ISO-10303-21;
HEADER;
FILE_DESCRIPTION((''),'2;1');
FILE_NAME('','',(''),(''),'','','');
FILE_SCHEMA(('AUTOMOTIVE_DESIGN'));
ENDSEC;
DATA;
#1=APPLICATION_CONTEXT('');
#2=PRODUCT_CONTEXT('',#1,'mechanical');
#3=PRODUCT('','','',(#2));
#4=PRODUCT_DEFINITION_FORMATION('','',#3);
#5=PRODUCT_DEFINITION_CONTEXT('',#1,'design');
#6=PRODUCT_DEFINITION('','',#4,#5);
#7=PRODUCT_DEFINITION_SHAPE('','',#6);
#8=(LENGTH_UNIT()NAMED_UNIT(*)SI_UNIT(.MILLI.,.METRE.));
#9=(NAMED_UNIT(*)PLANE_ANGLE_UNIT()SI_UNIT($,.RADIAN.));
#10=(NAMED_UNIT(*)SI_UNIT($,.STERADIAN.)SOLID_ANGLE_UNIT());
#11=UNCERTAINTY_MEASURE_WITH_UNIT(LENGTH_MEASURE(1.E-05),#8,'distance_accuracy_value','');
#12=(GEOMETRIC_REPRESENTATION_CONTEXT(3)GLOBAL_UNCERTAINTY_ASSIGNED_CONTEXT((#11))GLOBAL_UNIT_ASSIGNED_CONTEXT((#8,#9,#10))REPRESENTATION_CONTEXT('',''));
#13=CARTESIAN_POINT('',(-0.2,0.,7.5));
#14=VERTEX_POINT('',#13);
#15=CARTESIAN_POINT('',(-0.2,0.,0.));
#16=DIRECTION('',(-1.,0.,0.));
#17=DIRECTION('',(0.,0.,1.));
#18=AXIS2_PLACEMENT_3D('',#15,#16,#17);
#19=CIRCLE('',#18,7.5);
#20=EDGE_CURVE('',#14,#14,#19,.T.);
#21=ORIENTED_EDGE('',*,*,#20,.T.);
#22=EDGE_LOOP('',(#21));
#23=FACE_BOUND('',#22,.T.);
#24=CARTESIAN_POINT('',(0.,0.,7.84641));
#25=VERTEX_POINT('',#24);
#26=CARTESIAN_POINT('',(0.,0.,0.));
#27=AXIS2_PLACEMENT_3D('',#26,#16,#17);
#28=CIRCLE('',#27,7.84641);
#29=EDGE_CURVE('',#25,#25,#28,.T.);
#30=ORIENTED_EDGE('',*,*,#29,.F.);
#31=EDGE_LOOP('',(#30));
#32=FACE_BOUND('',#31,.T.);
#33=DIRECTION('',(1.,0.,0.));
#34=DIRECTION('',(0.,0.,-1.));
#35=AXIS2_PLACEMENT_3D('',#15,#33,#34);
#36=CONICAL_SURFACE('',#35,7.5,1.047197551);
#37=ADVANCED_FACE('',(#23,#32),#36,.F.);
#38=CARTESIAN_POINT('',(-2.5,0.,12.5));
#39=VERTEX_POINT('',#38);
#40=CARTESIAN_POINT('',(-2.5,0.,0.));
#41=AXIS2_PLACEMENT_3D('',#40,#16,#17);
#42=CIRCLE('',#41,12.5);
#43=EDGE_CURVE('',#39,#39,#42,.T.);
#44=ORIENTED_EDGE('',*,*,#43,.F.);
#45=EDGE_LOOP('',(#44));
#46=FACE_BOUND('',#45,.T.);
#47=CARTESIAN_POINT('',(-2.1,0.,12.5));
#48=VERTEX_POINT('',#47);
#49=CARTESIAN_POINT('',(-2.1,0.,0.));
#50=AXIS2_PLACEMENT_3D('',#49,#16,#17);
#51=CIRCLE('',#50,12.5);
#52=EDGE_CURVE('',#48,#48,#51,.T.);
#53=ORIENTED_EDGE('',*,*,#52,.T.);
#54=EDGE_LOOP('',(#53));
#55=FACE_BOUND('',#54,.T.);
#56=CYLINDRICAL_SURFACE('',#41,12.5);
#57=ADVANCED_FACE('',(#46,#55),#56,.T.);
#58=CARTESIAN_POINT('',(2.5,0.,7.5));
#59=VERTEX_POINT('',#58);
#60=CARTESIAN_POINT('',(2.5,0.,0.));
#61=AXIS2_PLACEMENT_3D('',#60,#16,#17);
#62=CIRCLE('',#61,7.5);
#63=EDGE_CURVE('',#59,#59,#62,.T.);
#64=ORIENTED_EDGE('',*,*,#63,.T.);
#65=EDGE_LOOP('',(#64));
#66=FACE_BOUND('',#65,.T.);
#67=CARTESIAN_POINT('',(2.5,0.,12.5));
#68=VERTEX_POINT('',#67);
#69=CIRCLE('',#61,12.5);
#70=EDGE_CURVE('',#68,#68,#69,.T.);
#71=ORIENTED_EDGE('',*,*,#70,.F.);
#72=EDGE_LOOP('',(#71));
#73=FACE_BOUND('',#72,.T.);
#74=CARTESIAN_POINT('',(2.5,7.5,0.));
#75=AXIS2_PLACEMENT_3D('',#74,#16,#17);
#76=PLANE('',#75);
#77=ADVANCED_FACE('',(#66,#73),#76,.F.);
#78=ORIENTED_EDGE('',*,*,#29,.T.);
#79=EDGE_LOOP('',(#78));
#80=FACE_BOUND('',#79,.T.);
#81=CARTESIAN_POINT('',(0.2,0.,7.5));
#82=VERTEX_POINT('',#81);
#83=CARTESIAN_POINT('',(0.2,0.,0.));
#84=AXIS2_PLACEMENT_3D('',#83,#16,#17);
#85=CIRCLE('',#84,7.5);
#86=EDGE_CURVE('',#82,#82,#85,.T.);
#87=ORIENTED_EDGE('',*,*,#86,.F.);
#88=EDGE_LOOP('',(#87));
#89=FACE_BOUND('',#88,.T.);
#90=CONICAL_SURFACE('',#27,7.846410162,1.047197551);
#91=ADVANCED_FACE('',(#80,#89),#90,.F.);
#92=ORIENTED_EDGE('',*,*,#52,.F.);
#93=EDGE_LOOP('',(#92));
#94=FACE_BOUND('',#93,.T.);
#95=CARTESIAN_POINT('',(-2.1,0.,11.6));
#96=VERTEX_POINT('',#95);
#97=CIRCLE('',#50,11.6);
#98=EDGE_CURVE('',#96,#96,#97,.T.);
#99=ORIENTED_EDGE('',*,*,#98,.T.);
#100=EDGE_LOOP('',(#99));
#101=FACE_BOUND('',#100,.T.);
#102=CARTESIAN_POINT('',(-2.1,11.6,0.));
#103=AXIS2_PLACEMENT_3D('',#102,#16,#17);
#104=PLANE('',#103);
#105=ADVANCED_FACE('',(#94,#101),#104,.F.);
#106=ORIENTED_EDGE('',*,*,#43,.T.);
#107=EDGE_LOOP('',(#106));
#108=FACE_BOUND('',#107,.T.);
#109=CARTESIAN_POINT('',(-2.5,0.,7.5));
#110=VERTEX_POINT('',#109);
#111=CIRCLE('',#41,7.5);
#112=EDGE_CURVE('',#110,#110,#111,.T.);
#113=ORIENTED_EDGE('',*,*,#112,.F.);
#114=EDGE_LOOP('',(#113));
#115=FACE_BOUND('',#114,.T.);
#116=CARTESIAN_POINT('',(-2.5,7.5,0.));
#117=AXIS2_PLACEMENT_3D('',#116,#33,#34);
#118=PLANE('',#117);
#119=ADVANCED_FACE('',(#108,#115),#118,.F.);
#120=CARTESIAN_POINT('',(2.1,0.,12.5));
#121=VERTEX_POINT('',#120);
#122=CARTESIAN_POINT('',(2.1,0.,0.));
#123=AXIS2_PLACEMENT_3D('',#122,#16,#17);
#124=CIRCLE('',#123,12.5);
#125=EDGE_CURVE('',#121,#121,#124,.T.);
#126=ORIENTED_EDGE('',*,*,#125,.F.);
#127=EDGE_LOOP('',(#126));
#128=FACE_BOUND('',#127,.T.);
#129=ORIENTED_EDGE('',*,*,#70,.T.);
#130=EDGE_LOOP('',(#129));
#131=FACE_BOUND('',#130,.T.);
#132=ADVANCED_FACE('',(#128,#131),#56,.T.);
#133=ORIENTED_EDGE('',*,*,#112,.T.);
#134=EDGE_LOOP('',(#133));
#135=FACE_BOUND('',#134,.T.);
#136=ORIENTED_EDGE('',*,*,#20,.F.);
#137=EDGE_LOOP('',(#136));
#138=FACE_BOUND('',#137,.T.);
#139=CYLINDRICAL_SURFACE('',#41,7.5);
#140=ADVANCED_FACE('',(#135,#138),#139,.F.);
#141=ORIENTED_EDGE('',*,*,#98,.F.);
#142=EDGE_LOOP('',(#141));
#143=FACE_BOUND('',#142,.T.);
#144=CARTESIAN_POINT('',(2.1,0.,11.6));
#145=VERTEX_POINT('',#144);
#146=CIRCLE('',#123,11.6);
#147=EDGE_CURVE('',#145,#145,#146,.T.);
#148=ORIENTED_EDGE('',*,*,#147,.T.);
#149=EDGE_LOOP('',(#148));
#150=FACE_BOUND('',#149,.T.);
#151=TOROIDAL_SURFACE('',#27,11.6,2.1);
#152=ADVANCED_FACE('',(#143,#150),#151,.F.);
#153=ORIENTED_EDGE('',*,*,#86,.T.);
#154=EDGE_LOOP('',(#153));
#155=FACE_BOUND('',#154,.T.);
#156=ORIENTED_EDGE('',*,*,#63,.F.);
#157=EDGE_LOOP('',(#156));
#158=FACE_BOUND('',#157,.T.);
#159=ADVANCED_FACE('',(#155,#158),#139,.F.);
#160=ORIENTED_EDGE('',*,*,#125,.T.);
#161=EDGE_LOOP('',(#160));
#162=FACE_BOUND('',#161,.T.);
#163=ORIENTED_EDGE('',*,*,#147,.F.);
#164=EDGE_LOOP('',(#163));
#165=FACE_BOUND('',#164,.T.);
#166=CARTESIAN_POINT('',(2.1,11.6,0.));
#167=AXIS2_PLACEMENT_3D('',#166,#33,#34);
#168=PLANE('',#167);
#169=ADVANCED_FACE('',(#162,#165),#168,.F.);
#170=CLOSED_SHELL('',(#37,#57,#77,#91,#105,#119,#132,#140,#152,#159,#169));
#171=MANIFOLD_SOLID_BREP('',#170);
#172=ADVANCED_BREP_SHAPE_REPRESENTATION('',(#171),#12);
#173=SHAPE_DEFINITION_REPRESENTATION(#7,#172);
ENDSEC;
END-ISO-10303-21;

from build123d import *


with BuildPart() as part:
    # Sketch1 → Revolve1 (revolve)
    with BuildSketch(Plane.XY, mode=Mode.PRIVATE) as revolve1_sk:
        with BuildLine():
            Line((-2.5, 7.5), (-0.2, 7.5))
            Line((-0.2, 7.5), (0, 7.846410162))
            Line((0, 7.846410162), (0.2, 7.5))
            Line((0.2, 7.5), (2.5, 7.5))
            Line((2.5, 7.5), (2.5, 12.5))
            Line((2.5, 12.5), (2.1, 12.5))
            Line((2.1, 12.5), (2.1, 11.6))
            ThreePointArc((2.1, 11.6), (0, 9.5), (-2.1, 11.6))
            Line((-2.1, 11.6), (-2.1, 12.5))
            Line((-2.1, 12.5), (-2.5, 12.5))
            Line((-2.5, 12.5), (-2.5, 7.5))
        make_face()
    revolve(revolve1_sk.sketch.rotate(Axis((-2.5, 0, 0), (1, 0, 0)), 90), axis=Axis((-2.5, 0, 0), (1, 0, 0)))


solid = part.part
